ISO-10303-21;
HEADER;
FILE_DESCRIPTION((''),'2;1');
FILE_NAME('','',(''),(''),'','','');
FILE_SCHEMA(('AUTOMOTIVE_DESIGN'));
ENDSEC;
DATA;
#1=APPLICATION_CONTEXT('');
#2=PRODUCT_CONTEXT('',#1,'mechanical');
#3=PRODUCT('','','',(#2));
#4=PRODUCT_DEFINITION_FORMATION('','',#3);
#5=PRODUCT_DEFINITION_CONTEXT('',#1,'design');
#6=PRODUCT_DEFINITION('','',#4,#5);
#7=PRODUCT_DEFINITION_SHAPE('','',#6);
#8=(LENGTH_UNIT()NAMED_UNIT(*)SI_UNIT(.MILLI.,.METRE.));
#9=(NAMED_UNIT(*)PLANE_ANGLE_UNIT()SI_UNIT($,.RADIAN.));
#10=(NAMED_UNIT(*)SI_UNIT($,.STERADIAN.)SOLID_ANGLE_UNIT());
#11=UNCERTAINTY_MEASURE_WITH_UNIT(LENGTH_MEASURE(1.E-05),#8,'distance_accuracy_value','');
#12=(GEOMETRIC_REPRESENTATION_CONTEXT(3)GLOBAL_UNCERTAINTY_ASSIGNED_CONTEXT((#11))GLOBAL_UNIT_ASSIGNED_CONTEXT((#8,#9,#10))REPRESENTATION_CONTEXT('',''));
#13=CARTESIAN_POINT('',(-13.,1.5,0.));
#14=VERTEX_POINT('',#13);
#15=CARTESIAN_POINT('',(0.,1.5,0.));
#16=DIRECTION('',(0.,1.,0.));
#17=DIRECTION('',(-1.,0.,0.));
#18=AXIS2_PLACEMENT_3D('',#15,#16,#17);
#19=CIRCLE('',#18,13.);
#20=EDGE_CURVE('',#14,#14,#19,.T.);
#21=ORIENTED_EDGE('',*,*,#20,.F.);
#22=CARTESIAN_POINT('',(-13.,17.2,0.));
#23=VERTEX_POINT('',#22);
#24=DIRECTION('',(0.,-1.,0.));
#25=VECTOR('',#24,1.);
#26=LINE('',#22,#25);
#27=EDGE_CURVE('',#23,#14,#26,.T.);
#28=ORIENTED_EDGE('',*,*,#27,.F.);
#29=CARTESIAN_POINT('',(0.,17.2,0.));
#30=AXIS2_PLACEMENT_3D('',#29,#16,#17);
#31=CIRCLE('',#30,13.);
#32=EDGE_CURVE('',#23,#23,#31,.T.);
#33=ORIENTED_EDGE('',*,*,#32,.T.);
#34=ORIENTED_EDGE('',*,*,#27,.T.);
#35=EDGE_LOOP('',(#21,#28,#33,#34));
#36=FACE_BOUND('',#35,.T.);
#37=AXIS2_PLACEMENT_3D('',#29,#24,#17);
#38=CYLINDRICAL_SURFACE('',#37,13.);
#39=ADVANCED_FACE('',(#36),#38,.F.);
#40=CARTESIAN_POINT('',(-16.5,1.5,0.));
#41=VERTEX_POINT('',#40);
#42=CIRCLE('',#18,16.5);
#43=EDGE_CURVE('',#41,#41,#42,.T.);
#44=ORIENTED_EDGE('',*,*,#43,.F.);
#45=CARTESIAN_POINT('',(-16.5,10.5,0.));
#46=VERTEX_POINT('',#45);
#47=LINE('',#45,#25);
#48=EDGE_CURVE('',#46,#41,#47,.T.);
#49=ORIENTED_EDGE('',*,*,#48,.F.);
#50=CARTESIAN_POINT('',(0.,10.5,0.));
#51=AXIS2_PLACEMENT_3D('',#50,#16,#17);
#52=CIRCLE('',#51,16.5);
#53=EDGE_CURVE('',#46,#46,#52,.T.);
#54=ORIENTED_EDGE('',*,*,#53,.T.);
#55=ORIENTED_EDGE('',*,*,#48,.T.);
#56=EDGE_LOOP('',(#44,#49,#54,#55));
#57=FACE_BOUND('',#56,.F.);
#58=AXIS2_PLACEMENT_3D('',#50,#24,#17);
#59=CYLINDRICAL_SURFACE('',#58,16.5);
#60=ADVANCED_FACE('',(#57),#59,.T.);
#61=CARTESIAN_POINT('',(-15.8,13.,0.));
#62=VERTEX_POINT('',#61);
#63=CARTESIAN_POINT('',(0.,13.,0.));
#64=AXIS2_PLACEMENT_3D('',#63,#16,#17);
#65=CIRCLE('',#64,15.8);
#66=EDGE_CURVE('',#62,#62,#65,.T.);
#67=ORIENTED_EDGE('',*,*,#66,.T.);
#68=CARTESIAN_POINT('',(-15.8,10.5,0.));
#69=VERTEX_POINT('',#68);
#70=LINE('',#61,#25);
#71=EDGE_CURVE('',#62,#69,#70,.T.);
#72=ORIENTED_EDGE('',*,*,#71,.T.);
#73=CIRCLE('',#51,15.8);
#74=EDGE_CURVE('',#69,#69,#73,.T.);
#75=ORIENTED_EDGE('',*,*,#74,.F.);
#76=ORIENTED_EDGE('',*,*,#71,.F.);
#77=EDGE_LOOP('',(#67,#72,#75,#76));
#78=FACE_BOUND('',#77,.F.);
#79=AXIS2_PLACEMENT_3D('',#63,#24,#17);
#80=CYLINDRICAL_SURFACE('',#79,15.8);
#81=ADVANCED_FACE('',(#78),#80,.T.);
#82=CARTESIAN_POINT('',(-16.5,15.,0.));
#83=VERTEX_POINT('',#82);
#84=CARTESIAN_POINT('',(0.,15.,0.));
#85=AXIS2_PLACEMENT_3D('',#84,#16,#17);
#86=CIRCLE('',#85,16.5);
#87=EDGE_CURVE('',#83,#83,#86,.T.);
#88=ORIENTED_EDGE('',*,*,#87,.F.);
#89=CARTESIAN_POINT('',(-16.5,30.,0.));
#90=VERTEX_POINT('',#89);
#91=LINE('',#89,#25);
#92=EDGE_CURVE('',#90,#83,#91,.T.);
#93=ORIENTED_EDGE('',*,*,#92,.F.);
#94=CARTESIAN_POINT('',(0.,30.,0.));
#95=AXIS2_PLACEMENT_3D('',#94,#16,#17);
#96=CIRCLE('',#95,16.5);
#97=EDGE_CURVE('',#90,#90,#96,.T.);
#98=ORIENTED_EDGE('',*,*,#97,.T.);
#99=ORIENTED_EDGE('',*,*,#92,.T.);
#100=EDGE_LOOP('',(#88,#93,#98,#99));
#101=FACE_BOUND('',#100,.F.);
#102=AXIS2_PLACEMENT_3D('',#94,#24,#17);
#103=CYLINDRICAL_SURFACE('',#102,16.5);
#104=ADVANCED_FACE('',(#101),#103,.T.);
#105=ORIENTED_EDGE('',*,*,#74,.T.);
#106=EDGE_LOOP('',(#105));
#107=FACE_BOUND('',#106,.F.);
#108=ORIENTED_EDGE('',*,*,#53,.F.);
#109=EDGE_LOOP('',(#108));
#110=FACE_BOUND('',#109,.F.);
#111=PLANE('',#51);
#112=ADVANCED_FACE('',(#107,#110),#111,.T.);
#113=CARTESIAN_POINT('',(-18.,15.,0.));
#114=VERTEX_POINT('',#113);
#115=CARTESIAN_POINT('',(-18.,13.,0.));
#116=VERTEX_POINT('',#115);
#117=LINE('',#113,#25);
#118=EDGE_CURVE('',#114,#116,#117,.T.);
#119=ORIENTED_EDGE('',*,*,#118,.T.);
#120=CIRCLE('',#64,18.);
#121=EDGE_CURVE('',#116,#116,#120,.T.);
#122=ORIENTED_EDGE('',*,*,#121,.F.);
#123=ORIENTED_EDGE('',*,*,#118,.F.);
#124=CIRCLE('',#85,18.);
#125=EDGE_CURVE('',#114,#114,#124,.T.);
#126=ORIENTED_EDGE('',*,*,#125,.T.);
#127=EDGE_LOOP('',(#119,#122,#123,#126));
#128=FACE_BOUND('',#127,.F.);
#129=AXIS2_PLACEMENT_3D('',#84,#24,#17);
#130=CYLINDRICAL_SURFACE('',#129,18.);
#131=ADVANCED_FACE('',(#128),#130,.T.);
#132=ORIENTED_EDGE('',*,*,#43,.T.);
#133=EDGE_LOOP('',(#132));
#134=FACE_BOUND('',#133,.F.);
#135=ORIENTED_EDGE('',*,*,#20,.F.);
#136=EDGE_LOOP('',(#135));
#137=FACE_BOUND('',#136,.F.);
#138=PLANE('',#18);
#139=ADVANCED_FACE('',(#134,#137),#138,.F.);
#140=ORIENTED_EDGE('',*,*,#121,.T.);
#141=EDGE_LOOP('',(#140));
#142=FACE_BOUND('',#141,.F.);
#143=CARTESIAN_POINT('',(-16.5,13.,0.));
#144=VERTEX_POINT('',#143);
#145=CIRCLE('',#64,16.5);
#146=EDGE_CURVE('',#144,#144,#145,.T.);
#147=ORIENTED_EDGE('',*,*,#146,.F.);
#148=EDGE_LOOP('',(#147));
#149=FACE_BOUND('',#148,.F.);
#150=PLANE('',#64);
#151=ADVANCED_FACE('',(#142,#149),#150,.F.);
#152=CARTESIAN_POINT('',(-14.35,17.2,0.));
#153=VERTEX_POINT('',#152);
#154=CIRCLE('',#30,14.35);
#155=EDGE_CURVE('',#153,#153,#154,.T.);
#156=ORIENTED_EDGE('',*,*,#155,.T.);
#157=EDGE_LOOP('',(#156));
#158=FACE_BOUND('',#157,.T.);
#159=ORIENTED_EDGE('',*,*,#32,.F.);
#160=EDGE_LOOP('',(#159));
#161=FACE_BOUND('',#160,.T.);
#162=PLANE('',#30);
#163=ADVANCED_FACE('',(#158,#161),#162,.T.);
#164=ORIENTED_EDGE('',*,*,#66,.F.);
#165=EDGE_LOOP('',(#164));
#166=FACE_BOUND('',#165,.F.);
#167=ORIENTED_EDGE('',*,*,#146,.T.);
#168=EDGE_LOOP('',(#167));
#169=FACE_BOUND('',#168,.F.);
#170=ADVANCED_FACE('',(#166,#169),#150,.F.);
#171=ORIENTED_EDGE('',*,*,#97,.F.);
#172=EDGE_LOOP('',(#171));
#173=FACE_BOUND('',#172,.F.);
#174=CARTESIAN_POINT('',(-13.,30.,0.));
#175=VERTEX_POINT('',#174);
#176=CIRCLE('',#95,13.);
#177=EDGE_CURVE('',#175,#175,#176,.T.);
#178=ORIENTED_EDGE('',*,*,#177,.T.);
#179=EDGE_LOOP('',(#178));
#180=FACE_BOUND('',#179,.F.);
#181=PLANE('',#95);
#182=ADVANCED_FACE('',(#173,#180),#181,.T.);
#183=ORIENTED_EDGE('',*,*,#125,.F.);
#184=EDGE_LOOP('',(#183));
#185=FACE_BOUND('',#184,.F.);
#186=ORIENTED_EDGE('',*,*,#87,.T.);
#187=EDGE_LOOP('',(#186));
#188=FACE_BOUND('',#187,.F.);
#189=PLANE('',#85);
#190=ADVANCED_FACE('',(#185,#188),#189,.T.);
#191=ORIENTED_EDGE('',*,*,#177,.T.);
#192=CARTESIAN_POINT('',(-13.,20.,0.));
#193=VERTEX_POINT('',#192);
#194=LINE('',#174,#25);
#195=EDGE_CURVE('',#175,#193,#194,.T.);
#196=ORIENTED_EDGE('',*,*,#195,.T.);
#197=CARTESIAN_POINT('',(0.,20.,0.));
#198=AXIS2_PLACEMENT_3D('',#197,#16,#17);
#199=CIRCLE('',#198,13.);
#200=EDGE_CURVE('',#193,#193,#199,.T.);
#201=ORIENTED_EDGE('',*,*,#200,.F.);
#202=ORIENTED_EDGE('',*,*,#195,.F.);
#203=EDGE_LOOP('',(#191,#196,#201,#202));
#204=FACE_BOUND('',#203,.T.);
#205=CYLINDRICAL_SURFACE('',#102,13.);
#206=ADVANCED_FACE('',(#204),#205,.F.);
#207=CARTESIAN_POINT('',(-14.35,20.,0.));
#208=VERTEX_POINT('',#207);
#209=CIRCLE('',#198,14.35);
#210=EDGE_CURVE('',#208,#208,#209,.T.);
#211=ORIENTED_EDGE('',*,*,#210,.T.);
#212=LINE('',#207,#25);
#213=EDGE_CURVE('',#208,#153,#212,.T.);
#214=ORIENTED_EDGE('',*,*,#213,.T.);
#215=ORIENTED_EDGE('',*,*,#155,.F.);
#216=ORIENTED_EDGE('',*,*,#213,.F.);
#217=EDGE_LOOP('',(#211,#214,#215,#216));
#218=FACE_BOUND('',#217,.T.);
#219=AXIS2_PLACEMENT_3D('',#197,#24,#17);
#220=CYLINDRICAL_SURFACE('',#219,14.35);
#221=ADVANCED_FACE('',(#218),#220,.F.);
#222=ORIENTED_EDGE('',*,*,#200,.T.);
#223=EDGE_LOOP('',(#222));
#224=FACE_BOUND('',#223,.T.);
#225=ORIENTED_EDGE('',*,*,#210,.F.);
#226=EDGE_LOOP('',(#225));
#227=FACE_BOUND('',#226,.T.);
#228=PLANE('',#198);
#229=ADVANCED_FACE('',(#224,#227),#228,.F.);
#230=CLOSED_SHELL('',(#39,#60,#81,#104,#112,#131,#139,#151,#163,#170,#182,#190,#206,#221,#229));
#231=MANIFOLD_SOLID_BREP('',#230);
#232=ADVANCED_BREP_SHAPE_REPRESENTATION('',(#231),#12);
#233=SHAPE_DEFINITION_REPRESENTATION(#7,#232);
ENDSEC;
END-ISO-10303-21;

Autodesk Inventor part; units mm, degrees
ref_plane "YZ Plane" through (0, 0, 0) normal (1, 0, 0) x (0, 1, 0)
ref_plane "XZ Plane" through (0, 0, 0) normal (0, 1, 0) x (-1, 0, 0)
ref_plane "XY Plane" through (0, 0, 0) normal (0, 0, 1) x (1, 0, 0)
sketch "Sketch2" plane through (0, 0, 0) normal (0, 0, 1) x (1, 0, 0)
  line L0 (0, 0) -> (0, 30)
  line L1 (0, 30) -> (-16.5, 30)
  line L2 (0, 0) -> (-13, 0)
  line L3 (-13, 0) -> (-16.5, 0)
  line L4 (-13, 30) -> (-13, 20)
  line L5 (-13, 20) -> (-14.35, 20)
  line L6 (-14.35, 20) -> (-14.35, 17.2)
  line L7 (-14.35, 17.2) -> (-13, 17.2)
  line L8 (-13, 17.2) -> (-13, 0)
  line L9 (-16.5, 13) -> (-15.8, 13)
  line L10 (-15.8, 13) -> (-15.8, 10.5)
  line L11 (-15.8, 10.5) -> (-16.5, 10.5)
  line L12 (-16.5, 30) -> (-16.5, 15)
  line L13 (-16.5, 15) -> (-18, 15)
  line L14 (-18, 15) -> (-18, 13)
  line L15 (-18, 13) -> (-16.5, 13)
  line L16 (-16.5, 10.5) -> (-16.5, 1.5)
  line L17 (-16.5, 1.5) -> (-13, 1.5)
  dimension "d4" = 30
  dimension "d5" = 16.5
  dimension "d6" = 13
  dimension "d7" = 10
  dimension "d8" = 1.35
  dimension "d9" = 2.8
  dimension "d13" = 17
  dimension "d14" = 0.7
  dimension "d15" = 2.5
  dimension "d18" = 15
  dimension "d19" = 1.5
  dimension "d20" = 10.5
  dimension "d21" = 9
revolve "Revolution1" add sketch "Sketch2" angle 360 about axis through (0, 0, 0) along (0, 1, 0) contours L4 L5 L6 L7 L8 L17 L16 L11 L10 L9 L15 L14 L13 L12 L1
thread "Thread3" size "M33x3" class "6g" standard "ANSI Metric M Profile" full length
properties part number "Heated tube-top connector" material "Polypropylene"
